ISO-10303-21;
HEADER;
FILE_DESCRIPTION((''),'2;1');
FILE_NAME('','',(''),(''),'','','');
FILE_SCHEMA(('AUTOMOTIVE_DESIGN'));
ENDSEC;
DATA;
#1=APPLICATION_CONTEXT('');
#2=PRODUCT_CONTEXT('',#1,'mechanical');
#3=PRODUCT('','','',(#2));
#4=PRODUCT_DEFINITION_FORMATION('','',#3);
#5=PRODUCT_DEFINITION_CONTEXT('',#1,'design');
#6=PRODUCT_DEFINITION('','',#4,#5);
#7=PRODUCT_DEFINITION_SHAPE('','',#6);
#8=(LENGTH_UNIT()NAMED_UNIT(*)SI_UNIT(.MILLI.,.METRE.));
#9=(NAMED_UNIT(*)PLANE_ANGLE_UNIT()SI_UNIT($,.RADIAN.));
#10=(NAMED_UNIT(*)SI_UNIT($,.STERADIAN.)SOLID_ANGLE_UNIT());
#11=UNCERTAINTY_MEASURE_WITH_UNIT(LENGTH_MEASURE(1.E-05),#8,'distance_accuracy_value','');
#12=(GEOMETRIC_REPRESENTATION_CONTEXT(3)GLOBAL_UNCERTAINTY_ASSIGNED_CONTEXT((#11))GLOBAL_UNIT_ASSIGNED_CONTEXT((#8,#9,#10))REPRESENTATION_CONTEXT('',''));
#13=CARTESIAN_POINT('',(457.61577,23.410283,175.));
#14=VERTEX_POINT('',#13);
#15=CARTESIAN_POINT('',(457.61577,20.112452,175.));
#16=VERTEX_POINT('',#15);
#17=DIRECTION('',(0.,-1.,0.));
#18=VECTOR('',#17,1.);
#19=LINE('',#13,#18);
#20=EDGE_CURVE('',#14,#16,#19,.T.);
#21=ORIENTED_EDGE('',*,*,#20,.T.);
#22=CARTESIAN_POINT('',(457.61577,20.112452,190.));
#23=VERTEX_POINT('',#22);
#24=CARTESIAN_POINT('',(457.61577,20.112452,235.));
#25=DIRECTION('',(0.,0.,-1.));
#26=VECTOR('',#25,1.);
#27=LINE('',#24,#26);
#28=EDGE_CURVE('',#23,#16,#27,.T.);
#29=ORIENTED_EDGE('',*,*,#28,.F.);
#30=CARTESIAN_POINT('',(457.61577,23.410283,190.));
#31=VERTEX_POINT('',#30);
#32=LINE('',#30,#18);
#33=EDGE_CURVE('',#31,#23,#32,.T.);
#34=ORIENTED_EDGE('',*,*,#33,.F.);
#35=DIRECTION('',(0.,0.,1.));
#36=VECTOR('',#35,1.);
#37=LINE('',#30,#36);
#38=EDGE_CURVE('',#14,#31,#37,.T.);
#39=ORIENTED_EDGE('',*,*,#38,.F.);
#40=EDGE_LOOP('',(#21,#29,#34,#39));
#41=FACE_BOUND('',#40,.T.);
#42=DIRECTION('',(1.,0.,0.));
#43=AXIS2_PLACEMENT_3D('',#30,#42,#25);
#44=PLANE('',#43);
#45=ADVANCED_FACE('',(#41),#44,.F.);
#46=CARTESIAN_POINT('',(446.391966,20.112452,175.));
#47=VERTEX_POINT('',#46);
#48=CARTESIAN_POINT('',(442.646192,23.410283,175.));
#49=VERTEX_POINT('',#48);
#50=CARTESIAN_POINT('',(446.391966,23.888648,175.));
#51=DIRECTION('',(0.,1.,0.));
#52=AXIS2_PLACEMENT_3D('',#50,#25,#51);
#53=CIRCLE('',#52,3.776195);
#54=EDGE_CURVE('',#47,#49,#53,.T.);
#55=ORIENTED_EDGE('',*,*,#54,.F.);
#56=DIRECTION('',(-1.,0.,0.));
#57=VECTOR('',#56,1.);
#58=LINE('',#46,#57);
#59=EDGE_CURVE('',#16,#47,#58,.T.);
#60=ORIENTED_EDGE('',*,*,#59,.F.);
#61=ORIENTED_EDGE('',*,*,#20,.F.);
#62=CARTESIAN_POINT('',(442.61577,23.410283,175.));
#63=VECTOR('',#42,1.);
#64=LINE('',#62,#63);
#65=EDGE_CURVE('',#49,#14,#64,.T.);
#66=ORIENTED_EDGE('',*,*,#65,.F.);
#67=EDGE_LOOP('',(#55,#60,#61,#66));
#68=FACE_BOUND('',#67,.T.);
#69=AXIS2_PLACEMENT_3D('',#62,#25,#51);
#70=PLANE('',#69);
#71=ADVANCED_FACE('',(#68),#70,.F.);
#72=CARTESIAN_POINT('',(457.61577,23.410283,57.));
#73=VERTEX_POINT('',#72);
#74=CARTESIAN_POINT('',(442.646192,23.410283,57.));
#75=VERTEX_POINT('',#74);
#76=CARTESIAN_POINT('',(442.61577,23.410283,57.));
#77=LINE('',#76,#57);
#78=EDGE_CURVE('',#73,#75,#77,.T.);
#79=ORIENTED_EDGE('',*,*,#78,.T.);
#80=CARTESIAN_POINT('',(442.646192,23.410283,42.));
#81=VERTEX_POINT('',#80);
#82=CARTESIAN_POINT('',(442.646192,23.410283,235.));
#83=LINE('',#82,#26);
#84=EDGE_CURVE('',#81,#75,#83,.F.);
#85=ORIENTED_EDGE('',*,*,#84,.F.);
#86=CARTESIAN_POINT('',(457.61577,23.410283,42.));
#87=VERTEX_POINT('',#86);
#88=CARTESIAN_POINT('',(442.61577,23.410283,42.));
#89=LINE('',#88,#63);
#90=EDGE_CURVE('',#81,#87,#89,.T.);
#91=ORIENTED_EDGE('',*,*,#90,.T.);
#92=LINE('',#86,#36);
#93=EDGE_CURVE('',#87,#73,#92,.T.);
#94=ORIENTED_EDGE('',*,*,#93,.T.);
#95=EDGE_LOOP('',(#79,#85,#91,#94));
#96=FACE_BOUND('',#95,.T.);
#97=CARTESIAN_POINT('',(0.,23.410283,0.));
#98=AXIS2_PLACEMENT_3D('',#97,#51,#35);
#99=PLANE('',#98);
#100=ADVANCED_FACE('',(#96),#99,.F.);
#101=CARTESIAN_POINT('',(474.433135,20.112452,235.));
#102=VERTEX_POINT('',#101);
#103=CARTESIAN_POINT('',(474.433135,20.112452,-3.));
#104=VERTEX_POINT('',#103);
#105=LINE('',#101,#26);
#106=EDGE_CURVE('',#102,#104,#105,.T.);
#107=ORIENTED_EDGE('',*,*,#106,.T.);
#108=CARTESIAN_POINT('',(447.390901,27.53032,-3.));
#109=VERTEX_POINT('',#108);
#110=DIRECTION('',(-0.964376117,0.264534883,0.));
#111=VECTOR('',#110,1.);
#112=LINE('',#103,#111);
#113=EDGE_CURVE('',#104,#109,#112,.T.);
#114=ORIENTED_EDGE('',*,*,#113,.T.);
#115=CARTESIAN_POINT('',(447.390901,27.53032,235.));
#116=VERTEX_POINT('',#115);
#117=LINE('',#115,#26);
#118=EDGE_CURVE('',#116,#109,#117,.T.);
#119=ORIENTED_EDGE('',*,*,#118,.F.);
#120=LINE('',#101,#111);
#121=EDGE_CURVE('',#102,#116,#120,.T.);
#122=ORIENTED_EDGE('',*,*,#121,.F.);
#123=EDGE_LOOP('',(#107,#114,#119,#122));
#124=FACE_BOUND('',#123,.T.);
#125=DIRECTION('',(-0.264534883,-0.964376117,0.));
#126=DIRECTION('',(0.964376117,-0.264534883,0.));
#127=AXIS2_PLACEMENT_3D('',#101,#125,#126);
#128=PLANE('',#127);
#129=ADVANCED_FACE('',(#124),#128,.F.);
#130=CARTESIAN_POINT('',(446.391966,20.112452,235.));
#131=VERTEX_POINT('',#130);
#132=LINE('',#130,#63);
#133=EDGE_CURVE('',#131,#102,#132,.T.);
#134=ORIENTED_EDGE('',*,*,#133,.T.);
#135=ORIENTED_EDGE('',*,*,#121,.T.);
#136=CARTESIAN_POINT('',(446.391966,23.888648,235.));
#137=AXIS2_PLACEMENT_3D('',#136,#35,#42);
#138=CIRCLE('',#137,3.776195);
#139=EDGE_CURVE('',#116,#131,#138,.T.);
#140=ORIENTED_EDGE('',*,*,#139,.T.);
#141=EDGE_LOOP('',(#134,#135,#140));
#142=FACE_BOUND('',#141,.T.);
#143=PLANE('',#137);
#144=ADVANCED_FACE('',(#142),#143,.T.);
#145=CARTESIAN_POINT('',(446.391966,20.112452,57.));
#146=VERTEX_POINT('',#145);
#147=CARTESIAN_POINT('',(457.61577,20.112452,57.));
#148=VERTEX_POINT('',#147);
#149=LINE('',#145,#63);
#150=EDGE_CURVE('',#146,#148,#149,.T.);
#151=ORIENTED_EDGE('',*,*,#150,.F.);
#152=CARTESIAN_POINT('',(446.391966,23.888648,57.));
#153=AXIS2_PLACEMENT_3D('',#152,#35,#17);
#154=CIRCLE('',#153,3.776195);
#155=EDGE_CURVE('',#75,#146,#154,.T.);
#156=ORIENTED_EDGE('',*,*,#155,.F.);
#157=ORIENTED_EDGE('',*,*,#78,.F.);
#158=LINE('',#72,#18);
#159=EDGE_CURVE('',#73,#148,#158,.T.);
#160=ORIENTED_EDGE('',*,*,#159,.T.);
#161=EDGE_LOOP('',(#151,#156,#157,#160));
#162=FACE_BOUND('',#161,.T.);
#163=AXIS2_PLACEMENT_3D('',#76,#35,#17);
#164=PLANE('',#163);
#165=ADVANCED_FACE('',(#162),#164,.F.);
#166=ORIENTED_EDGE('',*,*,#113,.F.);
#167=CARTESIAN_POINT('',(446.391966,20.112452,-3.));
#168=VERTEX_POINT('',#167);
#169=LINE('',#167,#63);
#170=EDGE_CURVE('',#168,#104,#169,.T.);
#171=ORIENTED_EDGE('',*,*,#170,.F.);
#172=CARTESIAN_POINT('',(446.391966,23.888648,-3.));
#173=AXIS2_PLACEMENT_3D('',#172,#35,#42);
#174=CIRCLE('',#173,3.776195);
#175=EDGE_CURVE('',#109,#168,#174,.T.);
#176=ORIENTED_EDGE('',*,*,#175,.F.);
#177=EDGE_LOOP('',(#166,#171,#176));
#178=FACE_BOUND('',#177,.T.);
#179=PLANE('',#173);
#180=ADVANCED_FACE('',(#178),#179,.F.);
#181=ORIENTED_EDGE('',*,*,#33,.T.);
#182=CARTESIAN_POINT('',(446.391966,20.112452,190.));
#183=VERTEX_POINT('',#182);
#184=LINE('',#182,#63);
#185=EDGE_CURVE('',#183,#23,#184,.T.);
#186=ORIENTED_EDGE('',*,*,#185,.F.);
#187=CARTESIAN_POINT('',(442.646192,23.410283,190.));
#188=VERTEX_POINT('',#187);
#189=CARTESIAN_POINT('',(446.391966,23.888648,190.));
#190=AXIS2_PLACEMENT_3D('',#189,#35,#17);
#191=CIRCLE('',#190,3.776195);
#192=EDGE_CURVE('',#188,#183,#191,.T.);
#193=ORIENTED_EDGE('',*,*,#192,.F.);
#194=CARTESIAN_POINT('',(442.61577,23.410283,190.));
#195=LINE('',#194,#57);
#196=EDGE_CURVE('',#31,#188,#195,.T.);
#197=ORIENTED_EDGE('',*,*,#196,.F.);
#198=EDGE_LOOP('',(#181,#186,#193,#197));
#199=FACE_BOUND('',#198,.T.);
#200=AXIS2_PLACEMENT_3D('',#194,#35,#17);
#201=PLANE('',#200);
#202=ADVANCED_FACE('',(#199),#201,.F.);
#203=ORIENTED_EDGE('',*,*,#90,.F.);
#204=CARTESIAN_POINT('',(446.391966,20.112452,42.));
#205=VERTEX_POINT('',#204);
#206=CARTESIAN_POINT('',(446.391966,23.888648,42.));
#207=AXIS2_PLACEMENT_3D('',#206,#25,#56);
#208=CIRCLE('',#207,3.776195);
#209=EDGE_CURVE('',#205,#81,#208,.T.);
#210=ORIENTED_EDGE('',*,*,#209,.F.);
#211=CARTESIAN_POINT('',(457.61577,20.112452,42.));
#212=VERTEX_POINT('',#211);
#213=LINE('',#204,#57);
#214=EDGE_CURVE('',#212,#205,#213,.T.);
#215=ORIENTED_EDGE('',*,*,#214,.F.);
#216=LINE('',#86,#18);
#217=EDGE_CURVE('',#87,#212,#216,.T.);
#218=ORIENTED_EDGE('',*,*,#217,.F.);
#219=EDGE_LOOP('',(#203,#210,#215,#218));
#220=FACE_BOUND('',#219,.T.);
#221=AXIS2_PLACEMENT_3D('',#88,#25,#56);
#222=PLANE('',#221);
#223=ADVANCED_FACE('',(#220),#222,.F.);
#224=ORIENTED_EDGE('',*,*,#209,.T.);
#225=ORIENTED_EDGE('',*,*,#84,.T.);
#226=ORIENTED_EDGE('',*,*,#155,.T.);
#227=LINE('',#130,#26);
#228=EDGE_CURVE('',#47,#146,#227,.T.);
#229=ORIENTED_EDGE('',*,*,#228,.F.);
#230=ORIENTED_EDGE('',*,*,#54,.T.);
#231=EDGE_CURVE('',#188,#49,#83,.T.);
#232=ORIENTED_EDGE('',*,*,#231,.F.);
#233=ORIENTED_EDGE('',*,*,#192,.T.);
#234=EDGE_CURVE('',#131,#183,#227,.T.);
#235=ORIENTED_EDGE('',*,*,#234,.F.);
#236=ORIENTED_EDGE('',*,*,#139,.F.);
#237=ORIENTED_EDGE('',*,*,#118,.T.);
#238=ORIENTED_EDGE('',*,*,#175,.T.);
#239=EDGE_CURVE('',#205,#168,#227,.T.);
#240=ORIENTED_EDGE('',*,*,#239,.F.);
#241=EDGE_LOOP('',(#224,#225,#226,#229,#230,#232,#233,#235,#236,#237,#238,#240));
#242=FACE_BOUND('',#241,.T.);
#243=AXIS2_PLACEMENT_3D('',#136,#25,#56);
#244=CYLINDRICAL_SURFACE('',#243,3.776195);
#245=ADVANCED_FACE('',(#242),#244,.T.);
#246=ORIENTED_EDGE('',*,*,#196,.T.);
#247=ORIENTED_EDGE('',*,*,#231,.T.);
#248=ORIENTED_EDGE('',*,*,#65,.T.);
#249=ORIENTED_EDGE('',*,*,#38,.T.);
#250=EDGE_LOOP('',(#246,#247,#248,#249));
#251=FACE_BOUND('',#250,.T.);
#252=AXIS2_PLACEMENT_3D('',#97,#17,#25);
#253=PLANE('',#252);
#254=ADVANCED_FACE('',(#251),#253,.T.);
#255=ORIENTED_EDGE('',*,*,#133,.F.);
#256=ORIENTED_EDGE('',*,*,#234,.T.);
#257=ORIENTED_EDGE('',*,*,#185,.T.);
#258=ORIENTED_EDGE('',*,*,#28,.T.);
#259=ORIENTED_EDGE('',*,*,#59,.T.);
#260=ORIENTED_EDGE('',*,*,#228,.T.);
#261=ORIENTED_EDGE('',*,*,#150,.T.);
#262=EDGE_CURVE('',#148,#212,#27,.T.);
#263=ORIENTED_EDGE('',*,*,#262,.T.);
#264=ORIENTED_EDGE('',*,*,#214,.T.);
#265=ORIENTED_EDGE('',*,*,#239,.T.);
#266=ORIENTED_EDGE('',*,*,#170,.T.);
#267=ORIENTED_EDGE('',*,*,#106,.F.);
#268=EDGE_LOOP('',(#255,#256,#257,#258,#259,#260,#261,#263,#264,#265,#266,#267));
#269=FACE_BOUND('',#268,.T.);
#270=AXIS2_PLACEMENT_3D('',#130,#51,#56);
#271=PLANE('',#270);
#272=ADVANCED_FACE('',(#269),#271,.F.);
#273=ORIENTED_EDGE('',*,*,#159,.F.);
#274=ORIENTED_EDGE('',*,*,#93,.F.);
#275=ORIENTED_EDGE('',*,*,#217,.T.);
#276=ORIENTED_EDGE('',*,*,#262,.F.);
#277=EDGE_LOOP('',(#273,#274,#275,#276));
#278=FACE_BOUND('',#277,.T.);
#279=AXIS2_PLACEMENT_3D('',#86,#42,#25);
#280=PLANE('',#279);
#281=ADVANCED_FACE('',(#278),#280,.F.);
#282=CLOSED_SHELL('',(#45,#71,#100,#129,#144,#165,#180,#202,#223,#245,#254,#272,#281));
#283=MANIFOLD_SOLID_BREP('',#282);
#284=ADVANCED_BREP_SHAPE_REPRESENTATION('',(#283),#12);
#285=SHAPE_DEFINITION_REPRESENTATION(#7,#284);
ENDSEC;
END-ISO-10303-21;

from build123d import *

# Parameters (mm, degrees)
BOSS_EXTRUDE1_DEPTH = 238
SKETCH3_W           = 15
SKETCH3_H           = 15
CUT_EXTRUDE1_DEPTH  = 54


with BuildPart() as part:
    # Sketch2 → Boss-Extrude1 (new body)
    with BuildSketch(Plane.XY.offset(-3)):
        with BuildLine():
            Line((446.391965645, 20.11245238), (474.43313548, 20.11245238))
            Line((474.43313548, 20.11245238), (447.390900992, 27.530319971))
            ThreePointArc((447.390900992, 27.530319971), (442.649552271, 24.39262378), (446.391965645, 20.11245238))
        make_face()
    extrude(amount=BOSS_EXTRUDE1_DEPTH)

    # Sketch3 → Cut-Extrude1 (cut)
    with BuildSketch(Plane.XZ.offset(30.589717262)):
        with Locations((450.115770482, 182.5)):
            Rectangle(SKETCH3_W, SKETCH3_H)
        with Locations((450.115770482, 49.5)):
            Rectangle(SKETCH3_W, SKETCH3_H)
    extrude(amount=-CUT_EXTRUDE1_DEPTH, mode=Mode.SUBTRACT)


solid = part.part
